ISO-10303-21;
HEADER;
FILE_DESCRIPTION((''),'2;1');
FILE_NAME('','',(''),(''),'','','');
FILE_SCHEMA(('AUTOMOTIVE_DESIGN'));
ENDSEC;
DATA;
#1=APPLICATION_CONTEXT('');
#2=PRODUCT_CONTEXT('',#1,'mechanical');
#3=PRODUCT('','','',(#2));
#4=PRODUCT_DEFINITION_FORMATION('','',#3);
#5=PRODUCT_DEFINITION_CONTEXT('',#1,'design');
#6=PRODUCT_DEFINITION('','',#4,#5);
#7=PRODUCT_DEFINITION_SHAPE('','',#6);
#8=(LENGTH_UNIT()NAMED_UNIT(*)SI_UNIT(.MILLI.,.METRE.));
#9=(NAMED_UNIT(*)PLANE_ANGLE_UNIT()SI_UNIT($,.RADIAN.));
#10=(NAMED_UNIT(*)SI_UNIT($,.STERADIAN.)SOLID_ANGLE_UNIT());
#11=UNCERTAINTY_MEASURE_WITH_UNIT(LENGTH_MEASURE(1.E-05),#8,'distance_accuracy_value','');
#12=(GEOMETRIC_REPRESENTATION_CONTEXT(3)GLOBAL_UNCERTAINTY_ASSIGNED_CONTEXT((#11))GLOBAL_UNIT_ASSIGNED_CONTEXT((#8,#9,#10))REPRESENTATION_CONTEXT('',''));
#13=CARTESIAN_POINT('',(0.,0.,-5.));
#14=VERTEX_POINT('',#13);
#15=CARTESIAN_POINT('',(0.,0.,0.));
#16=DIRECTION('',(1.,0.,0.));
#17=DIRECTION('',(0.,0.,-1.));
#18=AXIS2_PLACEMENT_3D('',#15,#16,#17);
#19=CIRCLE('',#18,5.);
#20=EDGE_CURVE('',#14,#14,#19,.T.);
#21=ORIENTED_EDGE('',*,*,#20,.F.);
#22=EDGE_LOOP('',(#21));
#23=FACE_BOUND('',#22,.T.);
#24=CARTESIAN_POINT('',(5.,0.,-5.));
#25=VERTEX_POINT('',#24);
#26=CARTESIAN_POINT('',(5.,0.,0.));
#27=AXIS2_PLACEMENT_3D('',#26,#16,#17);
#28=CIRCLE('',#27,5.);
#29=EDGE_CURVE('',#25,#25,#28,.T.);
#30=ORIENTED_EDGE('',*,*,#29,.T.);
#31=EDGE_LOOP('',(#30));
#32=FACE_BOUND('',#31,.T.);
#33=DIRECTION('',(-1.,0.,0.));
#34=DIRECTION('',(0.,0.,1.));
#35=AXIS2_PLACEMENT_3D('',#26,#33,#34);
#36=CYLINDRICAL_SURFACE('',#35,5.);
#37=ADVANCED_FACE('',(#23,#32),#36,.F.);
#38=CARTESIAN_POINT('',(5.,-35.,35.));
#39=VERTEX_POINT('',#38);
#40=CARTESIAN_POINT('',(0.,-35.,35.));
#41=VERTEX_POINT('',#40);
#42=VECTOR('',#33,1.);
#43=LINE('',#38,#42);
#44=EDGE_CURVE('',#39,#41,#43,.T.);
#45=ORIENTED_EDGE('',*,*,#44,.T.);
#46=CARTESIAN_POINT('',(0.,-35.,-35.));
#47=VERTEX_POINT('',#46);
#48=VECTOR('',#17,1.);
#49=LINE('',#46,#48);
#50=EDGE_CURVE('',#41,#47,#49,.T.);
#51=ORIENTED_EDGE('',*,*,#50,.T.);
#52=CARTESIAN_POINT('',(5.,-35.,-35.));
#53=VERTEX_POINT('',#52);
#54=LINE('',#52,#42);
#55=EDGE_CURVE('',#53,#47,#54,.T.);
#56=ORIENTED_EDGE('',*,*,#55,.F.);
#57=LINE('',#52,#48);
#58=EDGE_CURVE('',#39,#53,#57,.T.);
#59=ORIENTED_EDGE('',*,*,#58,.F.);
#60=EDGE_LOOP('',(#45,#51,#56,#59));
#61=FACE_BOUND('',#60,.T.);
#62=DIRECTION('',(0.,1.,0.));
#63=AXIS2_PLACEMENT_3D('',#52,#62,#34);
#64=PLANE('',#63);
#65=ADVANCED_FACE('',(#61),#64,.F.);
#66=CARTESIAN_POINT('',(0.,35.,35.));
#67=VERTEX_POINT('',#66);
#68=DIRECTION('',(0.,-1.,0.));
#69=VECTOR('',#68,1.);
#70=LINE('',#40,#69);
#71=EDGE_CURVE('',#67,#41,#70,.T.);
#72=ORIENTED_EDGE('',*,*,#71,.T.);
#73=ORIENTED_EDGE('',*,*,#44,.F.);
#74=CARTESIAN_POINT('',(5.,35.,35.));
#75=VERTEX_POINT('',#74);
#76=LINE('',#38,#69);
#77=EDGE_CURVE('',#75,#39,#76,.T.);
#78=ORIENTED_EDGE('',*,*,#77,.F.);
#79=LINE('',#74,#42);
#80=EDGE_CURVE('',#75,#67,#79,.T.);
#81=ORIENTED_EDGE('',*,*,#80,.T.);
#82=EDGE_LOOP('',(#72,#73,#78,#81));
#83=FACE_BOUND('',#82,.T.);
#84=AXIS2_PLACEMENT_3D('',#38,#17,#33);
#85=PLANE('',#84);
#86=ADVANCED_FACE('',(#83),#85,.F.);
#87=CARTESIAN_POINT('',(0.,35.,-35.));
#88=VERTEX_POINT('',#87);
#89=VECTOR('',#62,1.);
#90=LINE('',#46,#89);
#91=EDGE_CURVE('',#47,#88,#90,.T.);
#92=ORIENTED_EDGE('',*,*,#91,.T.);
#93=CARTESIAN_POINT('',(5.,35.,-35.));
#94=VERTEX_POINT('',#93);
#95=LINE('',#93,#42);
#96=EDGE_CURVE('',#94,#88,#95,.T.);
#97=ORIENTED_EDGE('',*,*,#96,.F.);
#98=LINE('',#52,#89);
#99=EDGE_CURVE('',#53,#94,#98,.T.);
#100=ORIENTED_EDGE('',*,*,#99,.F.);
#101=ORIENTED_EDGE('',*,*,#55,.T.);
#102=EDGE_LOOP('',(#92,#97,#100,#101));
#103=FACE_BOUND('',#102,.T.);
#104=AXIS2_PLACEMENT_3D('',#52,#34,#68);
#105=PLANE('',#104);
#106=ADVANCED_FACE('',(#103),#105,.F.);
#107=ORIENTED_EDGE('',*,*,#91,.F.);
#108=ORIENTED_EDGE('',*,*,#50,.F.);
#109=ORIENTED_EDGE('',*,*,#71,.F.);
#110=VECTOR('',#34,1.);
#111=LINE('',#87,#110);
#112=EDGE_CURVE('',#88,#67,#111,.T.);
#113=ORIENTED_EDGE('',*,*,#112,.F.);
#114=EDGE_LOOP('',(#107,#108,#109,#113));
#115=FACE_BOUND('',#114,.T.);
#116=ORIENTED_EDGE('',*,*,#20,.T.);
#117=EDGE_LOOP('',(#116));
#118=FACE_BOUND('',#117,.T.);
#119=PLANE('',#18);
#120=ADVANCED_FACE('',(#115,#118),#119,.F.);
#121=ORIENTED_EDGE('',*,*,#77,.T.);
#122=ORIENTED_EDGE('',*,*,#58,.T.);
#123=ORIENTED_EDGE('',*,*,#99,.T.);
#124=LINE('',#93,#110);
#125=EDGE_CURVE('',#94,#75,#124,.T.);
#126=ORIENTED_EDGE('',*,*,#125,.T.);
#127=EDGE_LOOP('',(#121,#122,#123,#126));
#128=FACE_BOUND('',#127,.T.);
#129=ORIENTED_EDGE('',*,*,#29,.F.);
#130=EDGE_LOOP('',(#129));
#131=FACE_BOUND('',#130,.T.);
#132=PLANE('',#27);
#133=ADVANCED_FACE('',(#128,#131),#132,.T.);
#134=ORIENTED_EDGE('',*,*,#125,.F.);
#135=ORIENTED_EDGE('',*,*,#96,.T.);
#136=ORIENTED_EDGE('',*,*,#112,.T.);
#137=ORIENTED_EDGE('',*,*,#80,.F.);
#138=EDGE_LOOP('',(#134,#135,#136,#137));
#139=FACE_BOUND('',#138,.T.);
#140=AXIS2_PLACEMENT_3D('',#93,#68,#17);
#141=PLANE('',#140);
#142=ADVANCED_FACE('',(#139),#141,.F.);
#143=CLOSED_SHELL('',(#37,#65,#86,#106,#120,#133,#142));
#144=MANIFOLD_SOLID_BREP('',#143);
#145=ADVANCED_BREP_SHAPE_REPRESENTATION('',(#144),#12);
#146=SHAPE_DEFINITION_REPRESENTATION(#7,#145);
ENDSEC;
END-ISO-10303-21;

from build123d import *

# Parameters (mm, degrees)
SKETCH1_W           = 70
SKETCH1_H           = 70
SKETCH1_R           = 5
BOSS_EXTRUDE1_DEPTH = 5


with BuildPart() as part:
    # Sketch1 → Boss-Extrude1 (new body)
    with BuildSketch(Plane(origin=(0, 0, 0), x_dir=(0, 0, -1), z_dir=(1, 0, 0))):
        Rectangle(SKETCH1_W, SKETCH1_H)
        Circle(SKETCH1_R, mode=Mode.SUBTRACT)
    extrude(amount=BOSS_EXTRUDE1_DEPTH)


solid = part.part
